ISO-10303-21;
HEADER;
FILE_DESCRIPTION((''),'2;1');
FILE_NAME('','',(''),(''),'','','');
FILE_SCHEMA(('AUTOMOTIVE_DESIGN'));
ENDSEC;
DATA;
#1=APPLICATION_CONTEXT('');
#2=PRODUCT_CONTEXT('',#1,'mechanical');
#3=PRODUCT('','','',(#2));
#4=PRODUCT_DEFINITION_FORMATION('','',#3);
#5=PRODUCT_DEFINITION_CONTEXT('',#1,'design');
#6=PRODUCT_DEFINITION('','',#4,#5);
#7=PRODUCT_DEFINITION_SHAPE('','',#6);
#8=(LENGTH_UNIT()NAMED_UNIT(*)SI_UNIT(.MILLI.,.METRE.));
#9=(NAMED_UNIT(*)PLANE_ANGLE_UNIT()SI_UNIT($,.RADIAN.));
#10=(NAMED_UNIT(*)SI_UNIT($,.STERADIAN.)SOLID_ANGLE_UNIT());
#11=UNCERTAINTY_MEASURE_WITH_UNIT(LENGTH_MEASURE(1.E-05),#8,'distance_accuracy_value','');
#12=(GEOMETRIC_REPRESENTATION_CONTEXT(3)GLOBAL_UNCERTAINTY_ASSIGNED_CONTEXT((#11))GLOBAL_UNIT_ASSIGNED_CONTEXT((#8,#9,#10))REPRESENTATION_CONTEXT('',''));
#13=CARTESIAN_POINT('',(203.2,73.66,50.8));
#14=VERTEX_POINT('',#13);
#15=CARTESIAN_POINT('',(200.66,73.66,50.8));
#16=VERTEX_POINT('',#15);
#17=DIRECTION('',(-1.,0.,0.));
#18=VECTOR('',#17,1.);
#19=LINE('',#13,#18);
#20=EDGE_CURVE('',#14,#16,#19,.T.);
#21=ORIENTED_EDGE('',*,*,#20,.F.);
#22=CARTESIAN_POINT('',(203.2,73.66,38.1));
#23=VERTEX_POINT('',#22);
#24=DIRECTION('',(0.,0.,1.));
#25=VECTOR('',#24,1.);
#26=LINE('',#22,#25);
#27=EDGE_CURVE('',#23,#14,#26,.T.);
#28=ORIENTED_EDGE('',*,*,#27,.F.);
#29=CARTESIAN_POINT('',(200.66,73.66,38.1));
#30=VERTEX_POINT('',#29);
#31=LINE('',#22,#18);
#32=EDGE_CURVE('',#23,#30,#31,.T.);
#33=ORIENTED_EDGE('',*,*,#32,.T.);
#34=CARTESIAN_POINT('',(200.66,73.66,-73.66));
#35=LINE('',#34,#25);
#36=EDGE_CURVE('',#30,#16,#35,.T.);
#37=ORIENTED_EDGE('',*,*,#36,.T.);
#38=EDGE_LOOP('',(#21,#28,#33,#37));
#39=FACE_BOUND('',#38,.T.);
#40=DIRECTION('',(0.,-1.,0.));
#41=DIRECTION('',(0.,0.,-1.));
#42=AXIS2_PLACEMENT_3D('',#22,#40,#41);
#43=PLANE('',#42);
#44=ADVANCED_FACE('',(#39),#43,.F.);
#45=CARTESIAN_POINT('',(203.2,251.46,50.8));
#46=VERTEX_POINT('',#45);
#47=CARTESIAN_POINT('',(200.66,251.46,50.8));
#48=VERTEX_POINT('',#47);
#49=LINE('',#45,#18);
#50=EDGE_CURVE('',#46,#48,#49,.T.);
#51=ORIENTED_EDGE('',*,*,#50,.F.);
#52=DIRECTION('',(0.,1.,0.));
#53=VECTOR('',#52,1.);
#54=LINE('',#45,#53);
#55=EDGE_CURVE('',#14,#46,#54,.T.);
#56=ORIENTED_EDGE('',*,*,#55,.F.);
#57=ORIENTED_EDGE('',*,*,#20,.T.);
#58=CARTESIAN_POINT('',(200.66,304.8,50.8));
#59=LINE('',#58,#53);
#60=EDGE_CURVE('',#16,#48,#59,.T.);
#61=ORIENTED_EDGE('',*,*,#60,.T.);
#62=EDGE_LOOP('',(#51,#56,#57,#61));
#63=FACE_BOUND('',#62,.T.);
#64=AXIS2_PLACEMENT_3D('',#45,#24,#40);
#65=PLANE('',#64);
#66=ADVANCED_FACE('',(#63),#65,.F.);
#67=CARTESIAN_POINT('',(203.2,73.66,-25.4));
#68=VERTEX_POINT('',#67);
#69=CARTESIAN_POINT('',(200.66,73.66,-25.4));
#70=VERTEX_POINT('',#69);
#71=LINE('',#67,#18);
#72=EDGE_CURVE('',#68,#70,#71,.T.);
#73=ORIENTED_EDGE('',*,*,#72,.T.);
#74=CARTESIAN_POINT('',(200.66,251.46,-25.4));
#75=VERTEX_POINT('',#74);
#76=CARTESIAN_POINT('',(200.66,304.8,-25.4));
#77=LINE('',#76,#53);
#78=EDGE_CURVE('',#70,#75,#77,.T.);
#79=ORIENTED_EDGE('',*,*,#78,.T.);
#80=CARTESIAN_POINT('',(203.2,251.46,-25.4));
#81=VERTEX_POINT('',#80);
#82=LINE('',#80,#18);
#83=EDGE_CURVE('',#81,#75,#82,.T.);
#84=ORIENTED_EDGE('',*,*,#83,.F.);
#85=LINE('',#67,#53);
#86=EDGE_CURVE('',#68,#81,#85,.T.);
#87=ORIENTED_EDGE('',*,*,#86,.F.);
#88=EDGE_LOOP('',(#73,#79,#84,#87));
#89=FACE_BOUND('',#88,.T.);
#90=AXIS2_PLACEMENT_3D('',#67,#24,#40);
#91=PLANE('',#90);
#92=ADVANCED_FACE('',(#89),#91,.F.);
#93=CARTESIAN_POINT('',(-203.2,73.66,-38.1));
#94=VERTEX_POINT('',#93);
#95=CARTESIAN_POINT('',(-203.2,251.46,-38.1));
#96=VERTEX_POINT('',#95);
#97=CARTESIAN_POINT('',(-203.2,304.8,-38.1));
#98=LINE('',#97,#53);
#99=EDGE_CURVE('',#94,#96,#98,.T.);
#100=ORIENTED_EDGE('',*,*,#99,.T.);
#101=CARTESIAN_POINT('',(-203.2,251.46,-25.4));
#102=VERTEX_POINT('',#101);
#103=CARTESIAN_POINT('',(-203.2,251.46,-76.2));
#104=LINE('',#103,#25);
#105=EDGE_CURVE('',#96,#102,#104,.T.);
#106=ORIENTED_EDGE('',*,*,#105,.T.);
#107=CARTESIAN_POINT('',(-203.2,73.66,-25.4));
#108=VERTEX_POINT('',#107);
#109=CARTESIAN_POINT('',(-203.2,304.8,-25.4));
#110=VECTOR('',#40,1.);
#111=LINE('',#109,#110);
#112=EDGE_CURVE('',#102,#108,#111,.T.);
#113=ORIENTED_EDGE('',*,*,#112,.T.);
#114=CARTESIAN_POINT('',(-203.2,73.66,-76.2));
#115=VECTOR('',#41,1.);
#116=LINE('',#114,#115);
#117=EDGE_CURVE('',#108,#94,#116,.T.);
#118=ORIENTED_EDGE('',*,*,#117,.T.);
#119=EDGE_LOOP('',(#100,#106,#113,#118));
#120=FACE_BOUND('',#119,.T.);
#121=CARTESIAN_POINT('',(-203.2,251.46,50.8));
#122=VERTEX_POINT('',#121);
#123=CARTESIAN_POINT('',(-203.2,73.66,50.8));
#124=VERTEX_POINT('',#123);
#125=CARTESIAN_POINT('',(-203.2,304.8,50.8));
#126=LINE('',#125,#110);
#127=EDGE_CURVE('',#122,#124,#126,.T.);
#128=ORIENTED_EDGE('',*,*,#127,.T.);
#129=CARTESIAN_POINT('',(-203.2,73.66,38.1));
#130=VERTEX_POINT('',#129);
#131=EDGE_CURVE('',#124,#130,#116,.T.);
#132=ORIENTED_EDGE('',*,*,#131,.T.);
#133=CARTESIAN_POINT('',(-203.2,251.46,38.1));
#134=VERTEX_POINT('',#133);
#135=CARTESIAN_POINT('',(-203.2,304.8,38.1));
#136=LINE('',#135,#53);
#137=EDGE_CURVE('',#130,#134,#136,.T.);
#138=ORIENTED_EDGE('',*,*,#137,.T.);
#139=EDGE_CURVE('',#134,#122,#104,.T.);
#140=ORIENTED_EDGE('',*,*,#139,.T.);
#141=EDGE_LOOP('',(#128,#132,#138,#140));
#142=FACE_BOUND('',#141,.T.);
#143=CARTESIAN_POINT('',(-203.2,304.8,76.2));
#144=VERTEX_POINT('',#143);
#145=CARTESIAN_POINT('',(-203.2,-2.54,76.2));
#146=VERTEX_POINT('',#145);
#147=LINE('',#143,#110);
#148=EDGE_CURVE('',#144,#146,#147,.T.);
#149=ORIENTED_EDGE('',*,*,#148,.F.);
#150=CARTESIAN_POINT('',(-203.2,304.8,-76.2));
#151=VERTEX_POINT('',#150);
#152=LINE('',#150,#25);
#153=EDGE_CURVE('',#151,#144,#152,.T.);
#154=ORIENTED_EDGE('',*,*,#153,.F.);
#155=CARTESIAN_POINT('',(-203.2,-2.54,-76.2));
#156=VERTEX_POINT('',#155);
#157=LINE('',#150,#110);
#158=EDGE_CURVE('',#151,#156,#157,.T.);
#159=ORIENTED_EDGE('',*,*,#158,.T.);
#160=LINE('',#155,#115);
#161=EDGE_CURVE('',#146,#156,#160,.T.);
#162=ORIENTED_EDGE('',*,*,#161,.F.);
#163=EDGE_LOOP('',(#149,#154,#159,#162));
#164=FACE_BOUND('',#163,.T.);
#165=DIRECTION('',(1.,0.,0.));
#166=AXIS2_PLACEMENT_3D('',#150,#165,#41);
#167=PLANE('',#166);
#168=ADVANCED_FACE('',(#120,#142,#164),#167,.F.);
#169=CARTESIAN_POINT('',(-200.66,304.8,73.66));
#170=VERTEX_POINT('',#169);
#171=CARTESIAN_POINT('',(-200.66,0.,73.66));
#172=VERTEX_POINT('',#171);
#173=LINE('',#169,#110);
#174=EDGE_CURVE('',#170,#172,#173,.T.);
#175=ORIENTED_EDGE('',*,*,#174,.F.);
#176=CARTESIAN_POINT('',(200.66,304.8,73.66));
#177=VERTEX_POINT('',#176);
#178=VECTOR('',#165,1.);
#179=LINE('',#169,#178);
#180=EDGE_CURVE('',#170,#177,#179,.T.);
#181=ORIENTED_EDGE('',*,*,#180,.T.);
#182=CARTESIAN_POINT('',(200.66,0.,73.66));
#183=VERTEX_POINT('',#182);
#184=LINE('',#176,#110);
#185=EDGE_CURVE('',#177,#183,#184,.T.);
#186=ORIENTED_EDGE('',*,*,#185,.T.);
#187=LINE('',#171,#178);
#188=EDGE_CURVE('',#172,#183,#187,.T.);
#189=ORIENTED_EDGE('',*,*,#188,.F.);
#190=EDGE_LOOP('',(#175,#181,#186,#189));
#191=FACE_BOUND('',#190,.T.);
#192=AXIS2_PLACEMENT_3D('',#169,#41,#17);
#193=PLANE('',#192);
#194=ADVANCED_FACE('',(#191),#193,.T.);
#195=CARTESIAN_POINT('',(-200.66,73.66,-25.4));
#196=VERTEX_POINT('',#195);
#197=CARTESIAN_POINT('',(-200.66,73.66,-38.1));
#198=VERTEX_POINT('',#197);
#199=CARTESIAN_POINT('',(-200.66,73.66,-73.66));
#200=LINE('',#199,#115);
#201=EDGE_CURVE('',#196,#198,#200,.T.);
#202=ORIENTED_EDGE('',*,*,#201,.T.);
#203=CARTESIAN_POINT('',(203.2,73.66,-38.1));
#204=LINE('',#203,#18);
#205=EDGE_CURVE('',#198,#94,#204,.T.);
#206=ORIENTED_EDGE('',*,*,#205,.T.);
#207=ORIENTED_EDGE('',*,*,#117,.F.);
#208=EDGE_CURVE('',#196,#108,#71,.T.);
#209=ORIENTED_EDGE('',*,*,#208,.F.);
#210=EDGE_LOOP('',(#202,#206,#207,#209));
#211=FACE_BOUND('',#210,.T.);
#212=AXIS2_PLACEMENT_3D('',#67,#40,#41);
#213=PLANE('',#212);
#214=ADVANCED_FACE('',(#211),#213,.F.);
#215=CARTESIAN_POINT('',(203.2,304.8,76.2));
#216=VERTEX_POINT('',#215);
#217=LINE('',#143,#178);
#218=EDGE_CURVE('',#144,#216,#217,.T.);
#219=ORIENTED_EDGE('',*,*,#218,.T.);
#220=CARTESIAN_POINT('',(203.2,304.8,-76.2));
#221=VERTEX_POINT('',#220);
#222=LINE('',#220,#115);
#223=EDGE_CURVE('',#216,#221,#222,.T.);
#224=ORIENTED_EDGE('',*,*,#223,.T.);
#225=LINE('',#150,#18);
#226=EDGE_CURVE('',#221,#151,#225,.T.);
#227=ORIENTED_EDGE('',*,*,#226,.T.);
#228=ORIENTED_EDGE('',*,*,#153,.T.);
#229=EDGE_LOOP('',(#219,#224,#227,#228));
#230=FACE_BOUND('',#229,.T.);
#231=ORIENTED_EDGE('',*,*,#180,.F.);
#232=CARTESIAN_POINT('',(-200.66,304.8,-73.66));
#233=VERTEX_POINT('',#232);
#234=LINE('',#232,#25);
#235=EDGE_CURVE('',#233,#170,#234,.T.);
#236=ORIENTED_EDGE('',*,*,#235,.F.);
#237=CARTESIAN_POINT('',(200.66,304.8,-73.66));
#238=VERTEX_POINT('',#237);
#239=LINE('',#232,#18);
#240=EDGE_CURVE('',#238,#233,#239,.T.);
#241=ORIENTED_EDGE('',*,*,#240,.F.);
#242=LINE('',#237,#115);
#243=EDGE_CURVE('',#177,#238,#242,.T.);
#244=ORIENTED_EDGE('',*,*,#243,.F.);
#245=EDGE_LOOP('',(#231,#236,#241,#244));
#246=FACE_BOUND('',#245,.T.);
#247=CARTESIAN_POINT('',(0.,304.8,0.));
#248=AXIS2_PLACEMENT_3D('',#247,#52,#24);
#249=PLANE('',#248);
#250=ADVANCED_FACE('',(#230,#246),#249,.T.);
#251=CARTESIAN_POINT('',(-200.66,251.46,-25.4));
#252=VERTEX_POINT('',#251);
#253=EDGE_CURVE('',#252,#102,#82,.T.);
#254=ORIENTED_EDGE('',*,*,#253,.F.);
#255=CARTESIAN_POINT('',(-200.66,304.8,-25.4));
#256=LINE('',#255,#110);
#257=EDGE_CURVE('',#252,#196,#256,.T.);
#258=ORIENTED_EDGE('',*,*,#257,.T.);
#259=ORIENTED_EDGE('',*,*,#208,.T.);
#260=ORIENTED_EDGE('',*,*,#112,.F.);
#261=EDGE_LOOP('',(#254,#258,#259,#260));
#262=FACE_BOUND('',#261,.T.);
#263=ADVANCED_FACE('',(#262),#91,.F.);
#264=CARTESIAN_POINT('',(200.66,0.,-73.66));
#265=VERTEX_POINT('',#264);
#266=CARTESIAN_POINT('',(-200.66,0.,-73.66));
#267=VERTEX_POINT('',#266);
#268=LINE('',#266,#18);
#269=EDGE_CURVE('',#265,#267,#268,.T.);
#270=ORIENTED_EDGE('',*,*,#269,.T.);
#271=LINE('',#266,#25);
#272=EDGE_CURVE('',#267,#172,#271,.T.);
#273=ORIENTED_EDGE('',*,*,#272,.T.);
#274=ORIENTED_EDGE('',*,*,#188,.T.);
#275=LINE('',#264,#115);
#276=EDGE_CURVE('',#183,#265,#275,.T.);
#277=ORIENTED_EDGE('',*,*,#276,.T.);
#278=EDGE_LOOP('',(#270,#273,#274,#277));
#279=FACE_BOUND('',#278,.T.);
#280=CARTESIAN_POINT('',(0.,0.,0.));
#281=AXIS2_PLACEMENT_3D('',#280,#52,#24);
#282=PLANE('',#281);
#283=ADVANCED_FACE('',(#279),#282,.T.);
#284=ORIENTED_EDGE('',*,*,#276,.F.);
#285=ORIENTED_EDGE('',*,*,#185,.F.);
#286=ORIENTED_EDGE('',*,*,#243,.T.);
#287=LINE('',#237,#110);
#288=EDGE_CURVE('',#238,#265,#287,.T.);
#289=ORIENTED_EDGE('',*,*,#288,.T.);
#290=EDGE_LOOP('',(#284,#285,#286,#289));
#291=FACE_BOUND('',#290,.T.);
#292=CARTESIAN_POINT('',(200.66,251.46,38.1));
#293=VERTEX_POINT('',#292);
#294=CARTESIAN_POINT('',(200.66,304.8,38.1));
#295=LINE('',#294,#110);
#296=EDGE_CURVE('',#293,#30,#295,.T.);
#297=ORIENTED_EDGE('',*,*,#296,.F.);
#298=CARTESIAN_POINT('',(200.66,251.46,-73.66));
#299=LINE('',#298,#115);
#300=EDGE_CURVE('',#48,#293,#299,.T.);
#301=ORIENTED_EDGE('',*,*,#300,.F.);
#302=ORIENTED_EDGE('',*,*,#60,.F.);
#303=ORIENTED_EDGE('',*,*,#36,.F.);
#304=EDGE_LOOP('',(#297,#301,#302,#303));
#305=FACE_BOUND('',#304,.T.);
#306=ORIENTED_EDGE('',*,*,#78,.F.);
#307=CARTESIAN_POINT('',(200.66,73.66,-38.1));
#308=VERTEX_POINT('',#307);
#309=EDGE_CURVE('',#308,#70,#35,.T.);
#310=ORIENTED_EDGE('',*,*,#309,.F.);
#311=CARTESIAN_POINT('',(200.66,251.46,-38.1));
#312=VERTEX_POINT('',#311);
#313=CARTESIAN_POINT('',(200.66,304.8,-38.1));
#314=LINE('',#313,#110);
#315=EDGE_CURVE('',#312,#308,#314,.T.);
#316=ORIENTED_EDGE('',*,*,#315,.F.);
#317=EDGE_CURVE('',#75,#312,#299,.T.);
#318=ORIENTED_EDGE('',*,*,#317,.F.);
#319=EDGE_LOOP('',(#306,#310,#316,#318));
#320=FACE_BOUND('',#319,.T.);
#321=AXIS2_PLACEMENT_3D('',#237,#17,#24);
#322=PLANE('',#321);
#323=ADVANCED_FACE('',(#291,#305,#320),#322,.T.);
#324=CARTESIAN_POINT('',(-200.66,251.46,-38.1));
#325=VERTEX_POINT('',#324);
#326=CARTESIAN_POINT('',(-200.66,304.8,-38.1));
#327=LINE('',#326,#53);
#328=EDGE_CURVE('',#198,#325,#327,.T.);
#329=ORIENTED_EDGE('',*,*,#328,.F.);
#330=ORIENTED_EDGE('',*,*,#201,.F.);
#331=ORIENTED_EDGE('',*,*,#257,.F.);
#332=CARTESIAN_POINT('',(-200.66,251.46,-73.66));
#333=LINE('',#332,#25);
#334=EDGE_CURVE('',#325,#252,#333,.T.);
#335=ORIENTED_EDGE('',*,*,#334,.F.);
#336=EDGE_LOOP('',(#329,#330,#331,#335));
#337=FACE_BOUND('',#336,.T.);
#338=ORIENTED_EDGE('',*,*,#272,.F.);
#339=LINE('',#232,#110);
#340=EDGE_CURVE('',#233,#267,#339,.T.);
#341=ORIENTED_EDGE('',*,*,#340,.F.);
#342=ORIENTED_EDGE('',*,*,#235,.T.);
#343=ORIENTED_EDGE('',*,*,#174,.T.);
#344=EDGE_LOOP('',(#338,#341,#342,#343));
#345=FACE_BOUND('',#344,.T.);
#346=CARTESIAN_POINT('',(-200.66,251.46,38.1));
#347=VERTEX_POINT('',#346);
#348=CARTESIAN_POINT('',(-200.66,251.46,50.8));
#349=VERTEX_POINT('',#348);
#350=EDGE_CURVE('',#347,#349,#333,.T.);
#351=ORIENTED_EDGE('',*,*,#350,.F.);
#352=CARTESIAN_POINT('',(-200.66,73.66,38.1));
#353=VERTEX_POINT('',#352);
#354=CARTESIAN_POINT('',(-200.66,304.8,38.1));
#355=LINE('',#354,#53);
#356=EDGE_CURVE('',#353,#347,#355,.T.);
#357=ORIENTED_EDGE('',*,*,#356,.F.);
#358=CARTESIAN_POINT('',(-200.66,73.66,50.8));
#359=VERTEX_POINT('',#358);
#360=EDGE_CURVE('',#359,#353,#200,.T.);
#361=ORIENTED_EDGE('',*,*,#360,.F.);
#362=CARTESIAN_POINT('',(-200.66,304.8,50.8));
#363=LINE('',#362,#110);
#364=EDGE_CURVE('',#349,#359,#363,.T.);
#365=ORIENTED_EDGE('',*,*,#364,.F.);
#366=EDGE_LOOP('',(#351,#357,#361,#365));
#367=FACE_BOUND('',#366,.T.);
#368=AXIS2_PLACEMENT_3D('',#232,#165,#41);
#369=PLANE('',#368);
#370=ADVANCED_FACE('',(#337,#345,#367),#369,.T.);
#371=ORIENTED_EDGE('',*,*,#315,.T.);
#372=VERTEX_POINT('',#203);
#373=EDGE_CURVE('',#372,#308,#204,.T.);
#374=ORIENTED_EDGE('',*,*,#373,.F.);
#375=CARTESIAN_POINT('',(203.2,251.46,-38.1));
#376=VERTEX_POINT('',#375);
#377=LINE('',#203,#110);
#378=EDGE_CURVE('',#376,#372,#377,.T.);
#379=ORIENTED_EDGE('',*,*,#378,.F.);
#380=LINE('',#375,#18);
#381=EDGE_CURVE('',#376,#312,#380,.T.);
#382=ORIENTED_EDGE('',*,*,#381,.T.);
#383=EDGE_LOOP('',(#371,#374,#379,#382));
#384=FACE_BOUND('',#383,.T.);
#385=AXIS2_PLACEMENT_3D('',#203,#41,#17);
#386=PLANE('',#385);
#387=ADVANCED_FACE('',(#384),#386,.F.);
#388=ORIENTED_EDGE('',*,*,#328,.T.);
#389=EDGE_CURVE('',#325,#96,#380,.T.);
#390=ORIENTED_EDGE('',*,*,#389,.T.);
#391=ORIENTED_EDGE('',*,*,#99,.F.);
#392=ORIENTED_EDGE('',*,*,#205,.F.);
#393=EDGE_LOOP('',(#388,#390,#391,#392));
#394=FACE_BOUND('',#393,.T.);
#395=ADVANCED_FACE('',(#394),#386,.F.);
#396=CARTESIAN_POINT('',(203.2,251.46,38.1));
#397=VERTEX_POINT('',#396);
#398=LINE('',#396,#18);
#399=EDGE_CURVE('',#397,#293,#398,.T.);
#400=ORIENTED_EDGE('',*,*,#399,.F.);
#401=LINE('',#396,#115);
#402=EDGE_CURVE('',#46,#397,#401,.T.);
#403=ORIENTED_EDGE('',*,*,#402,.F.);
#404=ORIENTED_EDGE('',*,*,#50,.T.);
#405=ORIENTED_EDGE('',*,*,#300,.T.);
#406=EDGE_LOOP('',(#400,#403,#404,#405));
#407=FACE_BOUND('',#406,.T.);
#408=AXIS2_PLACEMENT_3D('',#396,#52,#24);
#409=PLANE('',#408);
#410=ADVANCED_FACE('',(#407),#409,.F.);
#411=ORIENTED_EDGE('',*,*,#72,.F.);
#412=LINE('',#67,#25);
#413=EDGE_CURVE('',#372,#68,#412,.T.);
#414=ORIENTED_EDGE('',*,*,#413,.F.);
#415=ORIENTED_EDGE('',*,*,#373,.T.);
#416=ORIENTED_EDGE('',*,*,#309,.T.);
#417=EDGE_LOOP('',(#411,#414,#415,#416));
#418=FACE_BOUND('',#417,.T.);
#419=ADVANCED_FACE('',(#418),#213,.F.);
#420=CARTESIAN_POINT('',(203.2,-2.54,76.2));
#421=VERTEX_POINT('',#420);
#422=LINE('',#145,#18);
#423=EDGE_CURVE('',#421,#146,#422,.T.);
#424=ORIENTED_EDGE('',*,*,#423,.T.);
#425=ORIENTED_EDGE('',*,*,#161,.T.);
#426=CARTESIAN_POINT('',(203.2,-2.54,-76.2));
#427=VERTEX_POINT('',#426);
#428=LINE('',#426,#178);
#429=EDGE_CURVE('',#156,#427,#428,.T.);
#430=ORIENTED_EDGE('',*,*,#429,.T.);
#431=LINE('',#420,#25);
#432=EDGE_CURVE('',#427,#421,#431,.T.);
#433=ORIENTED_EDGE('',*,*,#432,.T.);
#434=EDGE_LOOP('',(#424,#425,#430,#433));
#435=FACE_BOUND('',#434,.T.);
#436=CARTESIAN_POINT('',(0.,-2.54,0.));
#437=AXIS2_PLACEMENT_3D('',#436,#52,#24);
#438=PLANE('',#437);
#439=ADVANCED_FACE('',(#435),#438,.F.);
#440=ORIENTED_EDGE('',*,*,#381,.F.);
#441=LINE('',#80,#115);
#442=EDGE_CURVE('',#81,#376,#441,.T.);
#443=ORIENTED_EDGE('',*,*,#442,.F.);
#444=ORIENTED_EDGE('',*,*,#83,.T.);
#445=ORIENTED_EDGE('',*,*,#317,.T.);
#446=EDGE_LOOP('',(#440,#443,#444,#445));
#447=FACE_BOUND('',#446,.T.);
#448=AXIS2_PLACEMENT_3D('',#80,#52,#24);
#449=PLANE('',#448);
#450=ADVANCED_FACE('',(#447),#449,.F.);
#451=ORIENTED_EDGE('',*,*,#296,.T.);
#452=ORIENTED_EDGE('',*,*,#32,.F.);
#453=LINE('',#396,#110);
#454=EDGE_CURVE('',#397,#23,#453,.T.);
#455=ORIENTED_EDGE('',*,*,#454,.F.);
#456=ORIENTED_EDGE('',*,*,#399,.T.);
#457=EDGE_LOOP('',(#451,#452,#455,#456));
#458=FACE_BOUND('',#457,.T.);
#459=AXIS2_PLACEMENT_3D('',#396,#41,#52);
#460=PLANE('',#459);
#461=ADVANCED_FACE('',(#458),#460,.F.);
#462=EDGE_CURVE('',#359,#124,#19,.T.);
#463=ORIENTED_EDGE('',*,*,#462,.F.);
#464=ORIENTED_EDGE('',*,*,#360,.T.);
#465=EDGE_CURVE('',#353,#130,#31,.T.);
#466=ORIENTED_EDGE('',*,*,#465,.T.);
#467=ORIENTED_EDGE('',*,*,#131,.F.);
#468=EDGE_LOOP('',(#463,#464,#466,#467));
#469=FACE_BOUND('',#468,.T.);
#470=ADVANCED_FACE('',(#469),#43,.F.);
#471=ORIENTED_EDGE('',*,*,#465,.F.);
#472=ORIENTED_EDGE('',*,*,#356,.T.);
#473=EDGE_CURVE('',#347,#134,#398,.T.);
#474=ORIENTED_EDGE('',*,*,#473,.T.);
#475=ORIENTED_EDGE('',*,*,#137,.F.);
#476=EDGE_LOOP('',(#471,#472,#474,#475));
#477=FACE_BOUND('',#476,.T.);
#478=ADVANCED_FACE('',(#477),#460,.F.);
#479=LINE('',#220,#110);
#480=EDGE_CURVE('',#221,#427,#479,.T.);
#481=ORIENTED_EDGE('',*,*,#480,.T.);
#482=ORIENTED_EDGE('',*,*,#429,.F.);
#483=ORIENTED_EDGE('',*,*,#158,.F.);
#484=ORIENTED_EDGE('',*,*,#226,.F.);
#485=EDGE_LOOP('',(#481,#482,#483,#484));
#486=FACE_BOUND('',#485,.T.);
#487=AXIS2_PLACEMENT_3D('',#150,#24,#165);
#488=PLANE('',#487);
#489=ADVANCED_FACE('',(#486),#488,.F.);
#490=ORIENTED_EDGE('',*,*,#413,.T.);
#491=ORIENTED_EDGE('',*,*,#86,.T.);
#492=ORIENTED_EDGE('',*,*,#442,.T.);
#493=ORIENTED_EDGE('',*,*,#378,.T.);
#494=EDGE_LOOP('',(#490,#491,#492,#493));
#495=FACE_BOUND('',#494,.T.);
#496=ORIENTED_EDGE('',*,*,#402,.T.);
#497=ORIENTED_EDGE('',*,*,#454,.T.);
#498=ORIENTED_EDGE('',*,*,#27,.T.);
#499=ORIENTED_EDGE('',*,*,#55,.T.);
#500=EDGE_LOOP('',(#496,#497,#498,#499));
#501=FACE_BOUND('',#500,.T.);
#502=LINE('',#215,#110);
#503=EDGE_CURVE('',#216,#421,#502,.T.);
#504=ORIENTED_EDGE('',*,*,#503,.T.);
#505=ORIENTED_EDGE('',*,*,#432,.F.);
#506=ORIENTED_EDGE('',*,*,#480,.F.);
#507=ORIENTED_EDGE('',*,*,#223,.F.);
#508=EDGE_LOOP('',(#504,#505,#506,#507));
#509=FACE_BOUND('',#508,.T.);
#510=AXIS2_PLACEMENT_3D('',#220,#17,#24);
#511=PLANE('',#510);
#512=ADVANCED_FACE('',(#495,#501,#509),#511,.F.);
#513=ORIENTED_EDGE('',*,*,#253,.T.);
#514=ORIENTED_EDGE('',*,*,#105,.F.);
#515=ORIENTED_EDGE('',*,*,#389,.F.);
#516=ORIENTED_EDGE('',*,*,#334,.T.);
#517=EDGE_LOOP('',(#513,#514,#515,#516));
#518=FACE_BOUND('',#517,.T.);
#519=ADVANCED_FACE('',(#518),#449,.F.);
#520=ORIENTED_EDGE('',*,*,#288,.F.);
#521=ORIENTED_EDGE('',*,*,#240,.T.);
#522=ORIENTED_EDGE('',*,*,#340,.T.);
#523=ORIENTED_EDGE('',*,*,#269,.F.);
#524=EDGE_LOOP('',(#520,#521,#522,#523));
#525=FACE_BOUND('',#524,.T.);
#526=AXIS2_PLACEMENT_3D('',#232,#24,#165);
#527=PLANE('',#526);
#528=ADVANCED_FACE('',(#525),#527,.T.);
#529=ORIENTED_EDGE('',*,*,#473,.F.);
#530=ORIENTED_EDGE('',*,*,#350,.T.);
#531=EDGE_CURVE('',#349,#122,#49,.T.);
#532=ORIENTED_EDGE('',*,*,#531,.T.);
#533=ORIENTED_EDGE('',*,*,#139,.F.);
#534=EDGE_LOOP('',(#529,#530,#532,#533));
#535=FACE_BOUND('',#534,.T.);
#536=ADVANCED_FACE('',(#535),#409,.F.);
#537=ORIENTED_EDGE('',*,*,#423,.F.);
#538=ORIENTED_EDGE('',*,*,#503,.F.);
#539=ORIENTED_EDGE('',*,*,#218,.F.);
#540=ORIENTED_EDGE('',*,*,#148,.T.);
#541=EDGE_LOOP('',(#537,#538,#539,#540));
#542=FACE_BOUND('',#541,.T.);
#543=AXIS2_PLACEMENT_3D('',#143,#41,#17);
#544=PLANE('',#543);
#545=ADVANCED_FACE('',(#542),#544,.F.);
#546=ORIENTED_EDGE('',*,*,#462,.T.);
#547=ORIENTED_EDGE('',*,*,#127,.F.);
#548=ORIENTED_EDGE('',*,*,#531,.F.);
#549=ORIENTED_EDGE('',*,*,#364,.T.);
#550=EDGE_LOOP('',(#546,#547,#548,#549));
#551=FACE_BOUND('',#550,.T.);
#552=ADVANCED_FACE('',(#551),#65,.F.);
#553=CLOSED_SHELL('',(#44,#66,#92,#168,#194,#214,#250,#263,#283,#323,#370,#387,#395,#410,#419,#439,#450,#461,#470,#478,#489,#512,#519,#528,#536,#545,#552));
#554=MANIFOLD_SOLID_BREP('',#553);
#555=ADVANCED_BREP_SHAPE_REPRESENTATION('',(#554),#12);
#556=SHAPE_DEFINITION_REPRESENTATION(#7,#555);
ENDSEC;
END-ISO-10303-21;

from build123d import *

# Parameters (mm, degrees)
SKETCH1_W               = 406.4
SKETCH1_H               = 152.4
SKETCH1_W_2             = 401.32
SKETCH1_H_2             = 147.32
BOSS_EXTRUDE1_DEPTH     = 304.8
SKETCH2_W               = 406.4
SKETCH2_H               = 152.4
BOSS_EXTRUDE2_DEPTH     = 2.54
SKETCH3_W               = 12.7
SKETCH3_H               = 177.8
CUT_EXTRUDE1_DEPTH      = 1
CUT_EXTRUDE1_DEPTH_BACK = 407.4


with BuildPart() as part:
    # Sketch1 → Boss-Extrude1 (new body)
    with BuildSketch(Plane(origin=(0, 0, 0), x_dir=(1, 0, 0), z_dir=(0, 1, 0))):
        Rectangle(SKETCH1_W, SKETCH1_H)
        Rectangle(SKETCH1_W_2, SKETCH1_H_2, mode=Mode.SUBTRACT)
    extrude(amount=BOSS_EXTRUDE1_DEPTH)

    # Sketch2 → Boss-Extrude2 (add)
    with BuildSketch(Plane.XZ):
        Rectangle(SKETCH2_W, SKETCH2_H)
    extrude(amount=BOSS_EXTRUDE2_DEPTH)

    # Sketch3 → Cut-Extrude1 (cut, two sides)
    with BuildSketch(Plane.ZY.offset(203.2)) as cut_extrude1_sk:
        with Locations((44.45, 162.56)):
            Rectangle(SKETCH3_W, SKETCH3_H)
        with Locations((-31.75, 162.56)):
            Rectangle(SKETCH3_W, SKETCH3_H)
    extrude(amount=CUT_EXTRUDE1_DEPTH, mode=Mode.SUBTRACT)
    extrude(cut_extrude1_sk.sketch, amount=-CUT_EXTRUDE1_DEPTH_BACK, mode=Mode.SUBTRACT)


solid = part.part
